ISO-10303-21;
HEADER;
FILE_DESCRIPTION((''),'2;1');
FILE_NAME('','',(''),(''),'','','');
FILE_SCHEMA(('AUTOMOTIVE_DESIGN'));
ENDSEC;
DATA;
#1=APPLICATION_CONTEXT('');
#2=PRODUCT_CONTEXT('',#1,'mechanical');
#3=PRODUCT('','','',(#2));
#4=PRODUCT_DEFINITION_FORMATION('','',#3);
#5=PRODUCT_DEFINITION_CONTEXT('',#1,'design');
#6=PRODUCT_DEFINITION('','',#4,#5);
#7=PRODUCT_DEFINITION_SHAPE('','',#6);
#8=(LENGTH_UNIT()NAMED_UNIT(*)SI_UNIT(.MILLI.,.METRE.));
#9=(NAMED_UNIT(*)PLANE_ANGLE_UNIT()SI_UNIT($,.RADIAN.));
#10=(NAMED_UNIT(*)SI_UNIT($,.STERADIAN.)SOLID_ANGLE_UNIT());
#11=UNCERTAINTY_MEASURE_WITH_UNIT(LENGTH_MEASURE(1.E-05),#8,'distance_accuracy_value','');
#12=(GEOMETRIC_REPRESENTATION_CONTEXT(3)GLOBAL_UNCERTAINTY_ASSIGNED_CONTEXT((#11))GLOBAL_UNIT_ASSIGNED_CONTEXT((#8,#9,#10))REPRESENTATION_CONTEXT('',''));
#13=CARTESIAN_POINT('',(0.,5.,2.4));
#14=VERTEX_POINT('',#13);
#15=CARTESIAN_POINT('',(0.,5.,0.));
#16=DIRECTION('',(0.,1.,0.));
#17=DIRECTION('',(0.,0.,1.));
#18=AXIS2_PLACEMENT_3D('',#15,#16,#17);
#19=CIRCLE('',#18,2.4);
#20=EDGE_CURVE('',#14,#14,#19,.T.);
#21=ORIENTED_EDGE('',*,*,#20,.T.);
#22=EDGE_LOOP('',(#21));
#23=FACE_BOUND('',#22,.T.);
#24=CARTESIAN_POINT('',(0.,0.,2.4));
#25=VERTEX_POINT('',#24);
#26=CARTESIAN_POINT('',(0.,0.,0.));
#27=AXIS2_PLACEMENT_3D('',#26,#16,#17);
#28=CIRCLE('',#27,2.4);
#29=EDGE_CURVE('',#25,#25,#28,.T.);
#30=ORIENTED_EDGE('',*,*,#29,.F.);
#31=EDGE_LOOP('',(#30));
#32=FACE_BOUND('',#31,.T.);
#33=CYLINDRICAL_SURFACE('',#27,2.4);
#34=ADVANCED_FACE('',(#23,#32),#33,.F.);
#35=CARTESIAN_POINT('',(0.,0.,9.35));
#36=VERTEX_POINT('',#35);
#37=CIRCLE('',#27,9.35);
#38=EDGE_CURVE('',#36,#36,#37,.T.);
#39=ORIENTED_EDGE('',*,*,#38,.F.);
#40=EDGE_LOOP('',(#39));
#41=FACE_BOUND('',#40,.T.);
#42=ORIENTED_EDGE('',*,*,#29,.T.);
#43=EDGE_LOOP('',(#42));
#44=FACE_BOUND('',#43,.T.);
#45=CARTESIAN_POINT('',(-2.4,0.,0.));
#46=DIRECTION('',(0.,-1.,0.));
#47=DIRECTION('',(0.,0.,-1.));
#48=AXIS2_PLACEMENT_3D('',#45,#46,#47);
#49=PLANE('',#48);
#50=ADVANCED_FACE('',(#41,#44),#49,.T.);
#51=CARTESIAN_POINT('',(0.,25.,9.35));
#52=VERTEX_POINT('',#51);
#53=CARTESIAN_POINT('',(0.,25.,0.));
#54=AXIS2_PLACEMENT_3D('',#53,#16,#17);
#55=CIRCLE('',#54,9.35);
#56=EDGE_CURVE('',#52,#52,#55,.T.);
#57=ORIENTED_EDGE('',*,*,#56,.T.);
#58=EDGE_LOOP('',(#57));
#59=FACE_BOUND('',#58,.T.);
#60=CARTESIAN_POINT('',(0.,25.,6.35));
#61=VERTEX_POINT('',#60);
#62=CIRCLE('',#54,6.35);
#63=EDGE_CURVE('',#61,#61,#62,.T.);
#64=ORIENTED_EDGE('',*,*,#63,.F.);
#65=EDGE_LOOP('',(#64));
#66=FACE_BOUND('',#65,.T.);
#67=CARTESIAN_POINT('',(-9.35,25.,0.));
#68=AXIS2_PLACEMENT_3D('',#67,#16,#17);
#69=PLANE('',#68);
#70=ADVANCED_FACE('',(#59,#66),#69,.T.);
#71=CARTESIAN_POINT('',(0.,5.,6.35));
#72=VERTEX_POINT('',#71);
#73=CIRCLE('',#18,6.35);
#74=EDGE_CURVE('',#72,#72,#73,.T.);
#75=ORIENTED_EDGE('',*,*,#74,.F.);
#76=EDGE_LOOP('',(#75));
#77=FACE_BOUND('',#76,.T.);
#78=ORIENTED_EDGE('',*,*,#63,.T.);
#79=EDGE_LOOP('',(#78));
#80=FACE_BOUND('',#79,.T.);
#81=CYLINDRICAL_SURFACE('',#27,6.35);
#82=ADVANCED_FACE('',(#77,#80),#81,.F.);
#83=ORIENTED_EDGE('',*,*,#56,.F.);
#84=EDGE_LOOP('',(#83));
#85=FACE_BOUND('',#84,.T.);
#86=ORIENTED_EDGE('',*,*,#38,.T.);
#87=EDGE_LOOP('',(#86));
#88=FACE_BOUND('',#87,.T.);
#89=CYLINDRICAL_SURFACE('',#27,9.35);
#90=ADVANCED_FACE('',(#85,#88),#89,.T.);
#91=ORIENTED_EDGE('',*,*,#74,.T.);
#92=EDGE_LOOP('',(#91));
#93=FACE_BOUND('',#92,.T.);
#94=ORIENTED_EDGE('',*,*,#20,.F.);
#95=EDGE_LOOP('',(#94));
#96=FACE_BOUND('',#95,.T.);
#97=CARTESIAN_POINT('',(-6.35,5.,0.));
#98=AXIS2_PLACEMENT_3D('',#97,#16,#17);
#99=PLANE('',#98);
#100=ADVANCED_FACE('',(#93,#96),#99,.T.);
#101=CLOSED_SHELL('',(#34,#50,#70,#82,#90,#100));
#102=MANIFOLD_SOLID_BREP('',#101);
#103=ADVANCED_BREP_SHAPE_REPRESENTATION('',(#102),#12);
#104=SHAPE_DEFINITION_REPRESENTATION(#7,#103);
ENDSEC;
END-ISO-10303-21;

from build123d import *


with BuildPart() as part:
    # Sketch1 → Revolve1 (revolve)
    with BuildSketch(Plane.XY):
        Polygon((-2.4, 5), (-2.4, 0), (-9.35, 0), (-9.35, 25), (-6.35, 25), (-6.35, 5), align=None)
    revolve(axis=Axis((0, 0, 0), (0, -1, 0)))


solid = part.part
